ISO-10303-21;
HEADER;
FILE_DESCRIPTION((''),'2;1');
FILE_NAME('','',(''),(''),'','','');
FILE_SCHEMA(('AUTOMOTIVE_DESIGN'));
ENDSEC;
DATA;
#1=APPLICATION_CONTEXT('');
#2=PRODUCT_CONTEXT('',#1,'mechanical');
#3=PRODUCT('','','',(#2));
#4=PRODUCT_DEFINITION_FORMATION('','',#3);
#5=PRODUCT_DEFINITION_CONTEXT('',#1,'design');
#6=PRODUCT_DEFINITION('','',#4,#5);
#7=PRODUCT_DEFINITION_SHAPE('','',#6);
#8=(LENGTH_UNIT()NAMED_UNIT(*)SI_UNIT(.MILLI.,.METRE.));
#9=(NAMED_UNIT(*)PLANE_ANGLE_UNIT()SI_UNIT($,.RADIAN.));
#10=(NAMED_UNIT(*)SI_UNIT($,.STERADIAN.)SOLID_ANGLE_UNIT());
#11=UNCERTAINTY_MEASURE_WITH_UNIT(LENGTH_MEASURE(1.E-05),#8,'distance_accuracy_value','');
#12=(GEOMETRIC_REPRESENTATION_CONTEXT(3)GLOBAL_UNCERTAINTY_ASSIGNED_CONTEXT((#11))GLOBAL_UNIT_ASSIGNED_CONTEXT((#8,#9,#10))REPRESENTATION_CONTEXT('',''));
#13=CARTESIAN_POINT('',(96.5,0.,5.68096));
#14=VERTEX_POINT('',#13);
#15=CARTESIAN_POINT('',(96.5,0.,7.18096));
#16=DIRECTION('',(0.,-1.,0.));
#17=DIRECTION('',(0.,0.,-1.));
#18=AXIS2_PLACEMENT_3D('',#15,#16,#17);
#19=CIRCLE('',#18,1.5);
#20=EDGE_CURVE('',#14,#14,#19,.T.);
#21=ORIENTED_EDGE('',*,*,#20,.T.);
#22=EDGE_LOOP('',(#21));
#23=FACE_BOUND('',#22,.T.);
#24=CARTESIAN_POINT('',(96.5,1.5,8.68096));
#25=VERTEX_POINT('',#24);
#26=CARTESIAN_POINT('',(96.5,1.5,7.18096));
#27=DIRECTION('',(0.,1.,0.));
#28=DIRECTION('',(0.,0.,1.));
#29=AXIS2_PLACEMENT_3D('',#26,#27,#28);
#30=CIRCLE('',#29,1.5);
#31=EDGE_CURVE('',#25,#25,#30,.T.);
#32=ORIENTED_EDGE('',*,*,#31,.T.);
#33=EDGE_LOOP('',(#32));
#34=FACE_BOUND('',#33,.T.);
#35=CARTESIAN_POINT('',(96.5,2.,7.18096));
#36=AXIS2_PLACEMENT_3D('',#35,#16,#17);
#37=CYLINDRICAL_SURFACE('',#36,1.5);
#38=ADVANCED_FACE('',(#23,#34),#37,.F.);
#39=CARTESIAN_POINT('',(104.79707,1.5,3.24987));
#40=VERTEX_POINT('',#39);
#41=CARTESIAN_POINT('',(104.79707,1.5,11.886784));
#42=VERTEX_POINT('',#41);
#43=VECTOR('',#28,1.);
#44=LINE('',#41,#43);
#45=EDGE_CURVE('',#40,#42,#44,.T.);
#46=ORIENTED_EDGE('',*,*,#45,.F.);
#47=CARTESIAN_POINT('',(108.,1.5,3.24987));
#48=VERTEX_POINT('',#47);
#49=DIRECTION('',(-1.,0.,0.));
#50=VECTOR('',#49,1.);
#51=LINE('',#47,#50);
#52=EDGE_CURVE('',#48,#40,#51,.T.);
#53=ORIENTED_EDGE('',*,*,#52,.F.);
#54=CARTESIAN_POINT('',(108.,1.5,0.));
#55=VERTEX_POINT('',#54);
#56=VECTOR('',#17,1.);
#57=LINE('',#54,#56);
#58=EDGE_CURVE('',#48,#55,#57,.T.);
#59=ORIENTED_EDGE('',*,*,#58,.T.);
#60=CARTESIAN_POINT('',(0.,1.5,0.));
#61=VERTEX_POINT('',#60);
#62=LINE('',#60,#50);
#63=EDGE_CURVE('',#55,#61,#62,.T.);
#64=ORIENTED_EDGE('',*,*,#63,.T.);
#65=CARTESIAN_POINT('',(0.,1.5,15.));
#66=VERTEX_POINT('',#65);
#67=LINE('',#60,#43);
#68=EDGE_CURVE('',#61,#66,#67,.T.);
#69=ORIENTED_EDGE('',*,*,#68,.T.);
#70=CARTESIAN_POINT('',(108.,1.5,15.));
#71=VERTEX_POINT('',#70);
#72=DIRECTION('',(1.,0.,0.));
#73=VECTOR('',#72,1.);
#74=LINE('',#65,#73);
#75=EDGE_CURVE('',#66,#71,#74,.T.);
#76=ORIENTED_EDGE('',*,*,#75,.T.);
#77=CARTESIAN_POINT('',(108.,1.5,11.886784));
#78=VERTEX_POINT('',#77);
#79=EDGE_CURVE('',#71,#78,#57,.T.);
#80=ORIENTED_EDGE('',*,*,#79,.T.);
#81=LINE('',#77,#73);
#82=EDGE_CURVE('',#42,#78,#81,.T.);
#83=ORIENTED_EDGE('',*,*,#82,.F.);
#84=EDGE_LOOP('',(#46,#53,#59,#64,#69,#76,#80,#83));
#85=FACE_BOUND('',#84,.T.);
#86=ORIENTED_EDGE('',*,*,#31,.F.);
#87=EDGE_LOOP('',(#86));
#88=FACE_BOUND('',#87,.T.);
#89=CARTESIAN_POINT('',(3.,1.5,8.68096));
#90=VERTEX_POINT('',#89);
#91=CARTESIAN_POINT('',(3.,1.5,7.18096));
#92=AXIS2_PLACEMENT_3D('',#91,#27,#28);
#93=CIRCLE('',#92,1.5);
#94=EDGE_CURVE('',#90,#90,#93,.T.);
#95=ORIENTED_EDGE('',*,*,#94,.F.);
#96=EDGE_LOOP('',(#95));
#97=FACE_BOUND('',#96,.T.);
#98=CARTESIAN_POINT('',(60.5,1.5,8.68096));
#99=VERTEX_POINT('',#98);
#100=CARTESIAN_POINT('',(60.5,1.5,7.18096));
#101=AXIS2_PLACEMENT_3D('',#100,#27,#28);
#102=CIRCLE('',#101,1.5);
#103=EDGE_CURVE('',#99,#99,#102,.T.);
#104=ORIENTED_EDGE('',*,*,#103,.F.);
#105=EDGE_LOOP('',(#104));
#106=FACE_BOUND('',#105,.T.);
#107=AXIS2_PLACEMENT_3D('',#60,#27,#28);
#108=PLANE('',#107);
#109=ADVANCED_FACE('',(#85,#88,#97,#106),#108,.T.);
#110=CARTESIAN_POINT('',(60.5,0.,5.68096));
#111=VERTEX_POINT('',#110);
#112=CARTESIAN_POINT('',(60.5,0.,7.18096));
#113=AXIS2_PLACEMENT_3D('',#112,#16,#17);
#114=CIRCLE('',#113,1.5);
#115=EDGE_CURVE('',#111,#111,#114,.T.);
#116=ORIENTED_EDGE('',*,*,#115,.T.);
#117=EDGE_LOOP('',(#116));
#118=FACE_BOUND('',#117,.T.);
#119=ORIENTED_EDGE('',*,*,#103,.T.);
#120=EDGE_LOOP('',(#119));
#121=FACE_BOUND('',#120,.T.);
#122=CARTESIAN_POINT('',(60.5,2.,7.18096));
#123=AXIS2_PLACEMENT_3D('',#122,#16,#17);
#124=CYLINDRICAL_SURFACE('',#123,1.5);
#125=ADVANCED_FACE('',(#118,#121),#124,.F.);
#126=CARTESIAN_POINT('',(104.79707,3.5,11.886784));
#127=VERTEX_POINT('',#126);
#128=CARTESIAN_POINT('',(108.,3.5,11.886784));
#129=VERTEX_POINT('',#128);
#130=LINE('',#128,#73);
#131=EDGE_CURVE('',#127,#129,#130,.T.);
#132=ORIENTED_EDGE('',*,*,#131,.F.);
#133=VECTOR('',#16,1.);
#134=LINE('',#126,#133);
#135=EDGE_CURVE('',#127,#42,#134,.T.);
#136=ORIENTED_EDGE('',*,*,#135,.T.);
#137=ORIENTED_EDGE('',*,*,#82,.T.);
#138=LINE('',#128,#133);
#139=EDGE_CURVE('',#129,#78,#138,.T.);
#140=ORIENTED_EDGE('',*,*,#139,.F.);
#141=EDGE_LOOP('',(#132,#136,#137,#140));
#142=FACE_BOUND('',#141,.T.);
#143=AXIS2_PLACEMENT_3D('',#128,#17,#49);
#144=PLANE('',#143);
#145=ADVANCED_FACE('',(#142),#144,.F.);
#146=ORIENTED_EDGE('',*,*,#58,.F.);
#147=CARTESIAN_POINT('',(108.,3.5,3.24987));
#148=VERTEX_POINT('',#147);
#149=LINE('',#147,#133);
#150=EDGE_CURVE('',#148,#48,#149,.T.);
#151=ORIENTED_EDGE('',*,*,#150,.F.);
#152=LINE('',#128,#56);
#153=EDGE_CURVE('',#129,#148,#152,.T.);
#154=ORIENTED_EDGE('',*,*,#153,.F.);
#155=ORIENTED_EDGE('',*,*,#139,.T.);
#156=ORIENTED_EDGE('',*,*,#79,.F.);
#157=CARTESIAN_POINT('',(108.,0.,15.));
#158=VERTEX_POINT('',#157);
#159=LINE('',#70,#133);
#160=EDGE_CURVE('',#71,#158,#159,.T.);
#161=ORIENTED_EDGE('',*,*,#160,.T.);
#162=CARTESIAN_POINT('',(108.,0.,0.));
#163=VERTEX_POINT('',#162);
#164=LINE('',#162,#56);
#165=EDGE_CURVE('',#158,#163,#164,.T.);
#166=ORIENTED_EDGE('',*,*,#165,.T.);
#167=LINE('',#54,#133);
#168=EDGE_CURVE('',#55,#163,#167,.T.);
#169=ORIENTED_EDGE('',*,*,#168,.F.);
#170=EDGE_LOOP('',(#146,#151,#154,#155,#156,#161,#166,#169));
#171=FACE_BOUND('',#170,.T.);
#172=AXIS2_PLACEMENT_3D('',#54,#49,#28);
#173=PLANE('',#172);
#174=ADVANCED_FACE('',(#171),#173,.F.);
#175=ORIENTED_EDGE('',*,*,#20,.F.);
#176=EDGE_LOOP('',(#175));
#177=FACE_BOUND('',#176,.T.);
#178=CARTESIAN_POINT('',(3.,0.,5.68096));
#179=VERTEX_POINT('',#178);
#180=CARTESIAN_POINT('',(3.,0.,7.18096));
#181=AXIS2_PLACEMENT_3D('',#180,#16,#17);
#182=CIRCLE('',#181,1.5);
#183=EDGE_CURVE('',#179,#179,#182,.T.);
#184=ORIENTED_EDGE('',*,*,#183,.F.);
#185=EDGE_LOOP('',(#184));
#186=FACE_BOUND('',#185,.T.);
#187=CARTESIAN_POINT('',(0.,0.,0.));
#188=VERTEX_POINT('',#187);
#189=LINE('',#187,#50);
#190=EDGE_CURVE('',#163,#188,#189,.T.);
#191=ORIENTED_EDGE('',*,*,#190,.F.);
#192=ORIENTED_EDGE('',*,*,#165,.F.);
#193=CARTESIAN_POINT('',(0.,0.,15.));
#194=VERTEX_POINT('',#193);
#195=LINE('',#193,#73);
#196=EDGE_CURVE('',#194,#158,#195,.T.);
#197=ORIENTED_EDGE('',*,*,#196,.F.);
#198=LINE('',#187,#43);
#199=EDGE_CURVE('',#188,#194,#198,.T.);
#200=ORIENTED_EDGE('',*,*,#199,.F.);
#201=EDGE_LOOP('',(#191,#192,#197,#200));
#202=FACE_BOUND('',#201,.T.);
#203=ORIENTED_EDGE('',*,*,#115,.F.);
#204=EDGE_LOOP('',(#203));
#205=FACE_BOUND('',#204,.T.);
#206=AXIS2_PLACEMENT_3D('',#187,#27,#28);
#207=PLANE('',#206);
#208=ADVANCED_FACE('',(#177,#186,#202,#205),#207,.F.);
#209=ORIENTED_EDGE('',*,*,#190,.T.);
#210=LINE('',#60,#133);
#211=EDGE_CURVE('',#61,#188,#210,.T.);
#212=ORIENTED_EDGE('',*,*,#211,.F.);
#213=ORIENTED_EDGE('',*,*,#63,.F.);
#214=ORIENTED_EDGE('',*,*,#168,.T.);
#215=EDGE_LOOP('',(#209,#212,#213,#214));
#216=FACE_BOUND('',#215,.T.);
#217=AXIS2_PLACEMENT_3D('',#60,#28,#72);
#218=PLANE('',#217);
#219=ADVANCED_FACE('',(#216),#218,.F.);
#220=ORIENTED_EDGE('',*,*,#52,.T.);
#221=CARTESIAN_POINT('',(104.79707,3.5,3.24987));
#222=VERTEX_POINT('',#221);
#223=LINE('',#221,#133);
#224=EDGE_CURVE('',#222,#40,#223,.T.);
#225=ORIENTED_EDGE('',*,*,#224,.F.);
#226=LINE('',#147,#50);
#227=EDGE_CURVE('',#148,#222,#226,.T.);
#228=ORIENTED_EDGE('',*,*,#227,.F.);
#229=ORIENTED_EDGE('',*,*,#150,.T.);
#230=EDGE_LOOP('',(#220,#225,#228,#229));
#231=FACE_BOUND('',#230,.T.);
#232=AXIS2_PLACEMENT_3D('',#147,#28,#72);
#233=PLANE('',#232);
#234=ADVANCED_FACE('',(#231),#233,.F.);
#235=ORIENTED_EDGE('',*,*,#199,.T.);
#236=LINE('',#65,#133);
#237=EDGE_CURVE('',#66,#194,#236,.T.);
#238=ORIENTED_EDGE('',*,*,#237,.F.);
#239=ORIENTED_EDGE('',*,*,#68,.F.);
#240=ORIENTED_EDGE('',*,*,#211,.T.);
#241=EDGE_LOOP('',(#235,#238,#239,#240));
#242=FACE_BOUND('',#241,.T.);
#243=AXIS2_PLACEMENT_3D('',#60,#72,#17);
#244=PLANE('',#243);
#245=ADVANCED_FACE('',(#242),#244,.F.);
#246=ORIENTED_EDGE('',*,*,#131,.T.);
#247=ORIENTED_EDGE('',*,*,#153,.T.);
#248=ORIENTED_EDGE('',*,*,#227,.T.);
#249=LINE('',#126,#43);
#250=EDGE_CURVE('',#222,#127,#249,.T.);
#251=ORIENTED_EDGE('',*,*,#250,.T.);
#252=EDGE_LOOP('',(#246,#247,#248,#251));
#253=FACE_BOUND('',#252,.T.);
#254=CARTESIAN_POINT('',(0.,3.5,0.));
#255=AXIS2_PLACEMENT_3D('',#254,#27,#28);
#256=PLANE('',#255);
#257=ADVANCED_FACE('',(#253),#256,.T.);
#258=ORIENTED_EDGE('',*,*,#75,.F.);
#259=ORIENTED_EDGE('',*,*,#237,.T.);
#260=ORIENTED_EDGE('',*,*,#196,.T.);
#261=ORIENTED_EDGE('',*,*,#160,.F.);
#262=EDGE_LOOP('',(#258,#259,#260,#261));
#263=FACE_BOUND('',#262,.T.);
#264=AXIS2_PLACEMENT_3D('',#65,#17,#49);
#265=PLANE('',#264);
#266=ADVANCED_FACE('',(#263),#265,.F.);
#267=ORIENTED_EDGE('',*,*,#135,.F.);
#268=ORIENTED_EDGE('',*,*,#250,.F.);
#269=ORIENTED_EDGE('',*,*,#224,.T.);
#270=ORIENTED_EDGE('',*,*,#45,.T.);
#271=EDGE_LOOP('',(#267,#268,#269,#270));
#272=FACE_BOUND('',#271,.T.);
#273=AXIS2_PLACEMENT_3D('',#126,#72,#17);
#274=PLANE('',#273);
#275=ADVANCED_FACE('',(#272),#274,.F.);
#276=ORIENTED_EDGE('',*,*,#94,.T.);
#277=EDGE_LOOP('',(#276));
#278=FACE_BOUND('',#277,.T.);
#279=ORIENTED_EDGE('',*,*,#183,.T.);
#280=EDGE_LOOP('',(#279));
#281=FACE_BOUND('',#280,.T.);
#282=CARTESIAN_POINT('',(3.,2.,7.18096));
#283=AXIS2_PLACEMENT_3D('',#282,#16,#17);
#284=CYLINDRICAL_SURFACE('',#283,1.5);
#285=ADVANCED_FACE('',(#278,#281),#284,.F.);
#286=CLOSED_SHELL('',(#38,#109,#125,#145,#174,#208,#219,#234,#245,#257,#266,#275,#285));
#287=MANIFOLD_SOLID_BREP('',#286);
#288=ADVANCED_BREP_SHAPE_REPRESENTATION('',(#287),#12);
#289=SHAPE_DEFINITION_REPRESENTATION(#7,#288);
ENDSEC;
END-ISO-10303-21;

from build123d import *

# Parameters (mm, degrees)
SKETCH1_W           = 108
SKETCH1_H           = 15
BOSS_EXTRUDE1_DEPTH = 1.5
SKETCH2_W           = 3.202930222
SKETCH2_H           = 8.636913893
BOSS_EXTRUDE2_DEPTH = 2
SKETCH3_R           = 1.5
CUT_EXTRUDE1_DEPTH  = 2


with BuildPart() as part:
    # Sketch1 → Boss-Extrude1 (new body)
    with BuildSketch(Plane(origin=(0, 0, 0), x_dir=(1, 0, 0), z_dir=(0, 1, 0))):
        with Locations((54, -7.5)):
            Rectangle(SKETCH1_W, SKETCH1_H)
    extrude(amount=BOSS_EXTRUDE1_DEPTH)

    # Sketch2 → Boss-Extrude2 (add)
    with BuildSketch(Plane(origin=(0, 1.5, 0), x_dir=(1, 0, 0), z_dir=(0, 1, 0))):
        with Locations((106.398534889, -7.568326669)):
            Rectangle(SKETCH2_W, SKETCH2_H)
    extrude(amount=BOSS_EXTRUDE2_DEPTH)

    # Sketch3 → Cut-Extrude1 (cut)
    with BuildSketch(Plane(origin=(0, 0, 0), x_dir=(-1, 0, 0), z_dir=(0, -1, 0))):
        with Locations(Location((-3, -7.180959686, 0), (0, 0, 90))):
            Circle(SKETCH3_R)
        with Locations(Location((-60.5, -7.180959686, 0), (0, 0, 90))):
            Circle(SKETCH3_R)
        with Locations(Location((-96.5, -7.180959686, 0), (0, 0, 90))):
            Circle(SKETCH3_R)
    extrude(amount=-CUT_EXTRUDE1_DEPTH, mode=Mode.SUBTRACT)


solid = part.part
